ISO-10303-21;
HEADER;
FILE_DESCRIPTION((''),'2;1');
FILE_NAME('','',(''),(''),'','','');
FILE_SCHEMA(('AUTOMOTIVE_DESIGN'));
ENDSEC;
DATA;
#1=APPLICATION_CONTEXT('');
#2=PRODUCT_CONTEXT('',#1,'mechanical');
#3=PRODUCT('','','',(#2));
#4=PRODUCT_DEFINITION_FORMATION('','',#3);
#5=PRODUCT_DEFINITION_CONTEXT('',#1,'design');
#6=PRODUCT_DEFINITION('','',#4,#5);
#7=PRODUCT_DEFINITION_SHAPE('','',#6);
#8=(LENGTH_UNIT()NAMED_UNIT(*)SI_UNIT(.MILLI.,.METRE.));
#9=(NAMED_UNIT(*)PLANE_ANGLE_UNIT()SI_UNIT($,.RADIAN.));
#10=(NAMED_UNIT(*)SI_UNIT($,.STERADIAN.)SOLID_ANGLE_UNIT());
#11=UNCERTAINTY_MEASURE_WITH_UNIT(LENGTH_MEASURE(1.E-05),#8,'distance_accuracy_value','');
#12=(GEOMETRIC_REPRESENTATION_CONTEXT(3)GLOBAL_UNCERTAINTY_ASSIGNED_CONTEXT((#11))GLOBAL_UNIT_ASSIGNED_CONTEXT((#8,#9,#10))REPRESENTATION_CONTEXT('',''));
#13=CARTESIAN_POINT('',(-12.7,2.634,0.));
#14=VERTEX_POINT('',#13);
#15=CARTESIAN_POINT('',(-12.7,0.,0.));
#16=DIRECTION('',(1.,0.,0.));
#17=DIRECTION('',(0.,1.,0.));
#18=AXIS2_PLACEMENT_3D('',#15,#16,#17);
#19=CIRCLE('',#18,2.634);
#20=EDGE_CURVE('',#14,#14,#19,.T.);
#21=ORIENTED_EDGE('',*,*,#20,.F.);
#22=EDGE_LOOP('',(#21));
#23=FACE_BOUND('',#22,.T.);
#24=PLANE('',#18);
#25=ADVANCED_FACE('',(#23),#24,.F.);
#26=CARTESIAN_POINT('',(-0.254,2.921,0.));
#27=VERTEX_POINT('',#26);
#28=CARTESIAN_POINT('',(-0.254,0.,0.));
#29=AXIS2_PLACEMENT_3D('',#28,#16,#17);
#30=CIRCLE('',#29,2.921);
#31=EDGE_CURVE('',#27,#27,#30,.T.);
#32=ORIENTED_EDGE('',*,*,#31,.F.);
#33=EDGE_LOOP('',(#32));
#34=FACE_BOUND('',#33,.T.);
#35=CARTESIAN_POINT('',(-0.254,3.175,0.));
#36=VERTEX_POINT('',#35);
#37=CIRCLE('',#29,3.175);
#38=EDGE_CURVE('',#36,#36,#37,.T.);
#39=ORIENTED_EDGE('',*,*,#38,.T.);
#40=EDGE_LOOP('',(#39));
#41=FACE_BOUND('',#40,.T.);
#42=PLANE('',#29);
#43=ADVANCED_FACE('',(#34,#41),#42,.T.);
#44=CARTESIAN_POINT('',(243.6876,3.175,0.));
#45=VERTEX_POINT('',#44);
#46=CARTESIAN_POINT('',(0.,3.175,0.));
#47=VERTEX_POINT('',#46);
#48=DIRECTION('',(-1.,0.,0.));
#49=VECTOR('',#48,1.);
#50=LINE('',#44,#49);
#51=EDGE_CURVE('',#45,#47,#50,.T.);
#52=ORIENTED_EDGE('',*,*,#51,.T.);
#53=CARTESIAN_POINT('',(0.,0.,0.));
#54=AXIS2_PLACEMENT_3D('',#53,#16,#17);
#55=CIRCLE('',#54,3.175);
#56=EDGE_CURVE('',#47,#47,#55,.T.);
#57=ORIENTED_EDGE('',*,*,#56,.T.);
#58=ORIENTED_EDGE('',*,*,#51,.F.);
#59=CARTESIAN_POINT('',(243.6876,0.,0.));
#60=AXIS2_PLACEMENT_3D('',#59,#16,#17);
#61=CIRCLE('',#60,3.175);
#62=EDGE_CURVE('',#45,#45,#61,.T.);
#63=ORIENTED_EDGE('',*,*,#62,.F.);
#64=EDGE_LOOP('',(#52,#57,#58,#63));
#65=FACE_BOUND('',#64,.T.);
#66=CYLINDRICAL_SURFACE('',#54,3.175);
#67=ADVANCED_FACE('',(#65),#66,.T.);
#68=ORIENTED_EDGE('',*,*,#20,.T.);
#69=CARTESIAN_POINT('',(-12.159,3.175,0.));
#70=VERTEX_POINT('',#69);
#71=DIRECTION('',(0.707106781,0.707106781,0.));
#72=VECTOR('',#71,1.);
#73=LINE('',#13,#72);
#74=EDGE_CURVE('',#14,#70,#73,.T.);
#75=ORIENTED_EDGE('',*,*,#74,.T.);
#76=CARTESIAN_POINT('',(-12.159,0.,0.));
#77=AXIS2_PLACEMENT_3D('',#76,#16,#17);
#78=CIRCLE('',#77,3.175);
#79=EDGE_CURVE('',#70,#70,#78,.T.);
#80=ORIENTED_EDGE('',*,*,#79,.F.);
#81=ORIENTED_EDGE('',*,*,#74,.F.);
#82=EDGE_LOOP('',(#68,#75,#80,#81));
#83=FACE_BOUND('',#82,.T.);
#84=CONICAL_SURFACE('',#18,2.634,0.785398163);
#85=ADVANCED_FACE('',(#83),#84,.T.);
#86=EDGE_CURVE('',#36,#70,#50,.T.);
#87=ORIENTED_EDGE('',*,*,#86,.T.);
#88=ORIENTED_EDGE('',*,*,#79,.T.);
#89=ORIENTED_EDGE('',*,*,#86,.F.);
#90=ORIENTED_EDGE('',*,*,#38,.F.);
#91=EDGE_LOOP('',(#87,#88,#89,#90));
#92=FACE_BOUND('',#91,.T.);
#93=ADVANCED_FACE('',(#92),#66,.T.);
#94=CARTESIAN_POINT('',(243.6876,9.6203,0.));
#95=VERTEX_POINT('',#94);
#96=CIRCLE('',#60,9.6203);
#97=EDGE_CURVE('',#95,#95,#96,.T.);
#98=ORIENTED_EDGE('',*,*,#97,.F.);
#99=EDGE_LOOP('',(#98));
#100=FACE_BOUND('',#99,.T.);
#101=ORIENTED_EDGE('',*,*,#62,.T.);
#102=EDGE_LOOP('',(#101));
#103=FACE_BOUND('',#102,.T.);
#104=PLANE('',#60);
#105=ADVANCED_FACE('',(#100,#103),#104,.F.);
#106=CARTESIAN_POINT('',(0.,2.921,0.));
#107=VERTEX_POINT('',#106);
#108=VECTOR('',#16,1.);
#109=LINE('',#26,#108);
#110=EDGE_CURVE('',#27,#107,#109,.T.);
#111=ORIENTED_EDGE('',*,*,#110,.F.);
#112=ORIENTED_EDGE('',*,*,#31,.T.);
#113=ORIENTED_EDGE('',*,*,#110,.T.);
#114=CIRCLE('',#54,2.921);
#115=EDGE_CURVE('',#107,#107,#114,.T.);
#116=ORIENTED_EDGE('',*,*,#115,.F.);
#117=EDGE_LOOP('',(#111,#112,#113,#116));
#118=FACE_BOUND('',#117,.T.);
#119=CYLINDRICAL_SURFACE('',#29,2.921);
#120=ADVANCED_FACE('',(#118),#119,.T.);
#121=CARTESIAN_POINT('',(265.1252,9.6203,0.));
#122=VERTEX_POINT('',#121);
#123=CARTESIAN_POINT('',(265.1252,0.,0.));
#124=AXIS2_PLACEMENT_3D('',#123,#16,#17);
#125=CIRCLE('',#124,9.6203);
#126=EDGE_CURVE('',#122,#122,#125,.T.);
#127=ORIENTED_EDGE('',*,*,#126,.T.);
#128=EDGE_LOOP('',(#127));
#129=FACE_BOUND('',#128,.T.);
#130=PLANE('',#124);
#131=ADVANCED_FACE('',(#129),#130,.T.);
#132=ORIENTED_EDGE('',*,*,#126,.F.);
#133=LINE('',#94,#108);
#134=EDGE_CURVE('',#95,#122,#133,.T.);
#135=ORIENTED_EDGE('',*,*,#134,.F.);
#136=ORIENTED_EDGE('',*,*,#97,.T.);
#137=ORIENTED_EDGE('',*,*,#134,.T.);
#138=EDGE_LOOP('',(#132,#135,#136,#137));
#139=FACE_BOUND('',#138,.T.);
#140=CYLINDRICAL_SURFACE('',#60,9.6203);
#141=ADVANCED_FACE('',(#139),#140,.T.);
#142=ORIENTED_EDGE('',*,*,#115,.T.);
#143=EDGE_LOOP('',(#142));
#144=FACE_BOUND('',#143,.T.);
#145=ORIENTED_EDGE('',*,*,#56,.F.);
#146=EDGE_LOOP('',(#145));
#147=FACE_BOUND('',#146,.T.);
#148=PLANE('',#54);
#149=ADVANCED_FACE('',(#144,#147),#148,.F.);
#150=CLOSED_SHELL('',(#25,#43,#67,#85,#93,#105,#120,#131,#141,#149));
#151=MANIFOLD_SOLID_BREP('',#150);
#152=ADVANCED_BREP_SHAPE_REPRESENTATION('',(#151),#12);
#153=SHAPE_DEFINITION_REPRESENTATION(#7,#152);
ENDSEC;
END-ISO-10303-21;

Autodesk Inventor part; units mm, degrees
sketch "Sketch_1" plane through (0, 0, 0) normal (0, 0, 1) x (1, 0, 0)
  line L0 (265.1252, 0) -> (0, 0)
  line L1 (0, 0) -> (0, 3.175)
  line L2 (0, 3.175) -> (243.6876, 3.175)
  line L3 (243.6876, 3.175) -> (243.6876, 9.6203)
  line L4 (243.6876, 9.6203) -> (265.1252, 9.6203)
  line L5 (265.1252, 9.6203) -> (265.1252, 0)
  line L6 (265.1252, 0) -> (0, 0)
revolve "Revolution1" add sketch "Sketch_1" angle 360 about axis through (265.1252, 0, 0) along (1, 0, 0)
sketch "Sketch_3" plane through (0, 0, 0) normal (0, 0, 1) x (1, 0, 0)
  line L0 (0, 0) -> (-12.7, 0)
  line L1 (-12.7, 0) -> (-12.7, 2.634)
  line L2 (-12.7, 2.634) -> (-12.159, 3.175)
  line L3 (-12.159, 3.175) -> (0, 3.175)
  line L4 (0, 3.175) -> (0, 0)
  line L5 (0, 0) -> (-12.7, 0)
revolve "Revolution2" add sketch "Sketch_3" angle 360 about axis through (0, 0, 0) along (1, 0, 0)
thread "Thread1" size "1/4-28 UNF" class "2A" standard "ANSI Unified Screw Threads" length 12.159
sketch "Sketch_30" plane through (0, 0, 0) normal (0, 0, 1) x (1, 0, 0)
  line L0 (0, 0) -> (-0.254, 0)
  line L1 (-0.254, 2.921) -> (0, 2.921)
  line L2 (0, 2.921) -> (0, 3.429)
  line L3 (0, 3.429) -> (-0.254, 3.429)
  line L4 (-0.254, 3.429) -> (-0.254, 2.921)
revolve "Revolution3" cut sketch "Sketch_30" angle 360 about axis through (0, 0, 0) along (1, 0, 0)
ref_plane "dia1_XY" through (0, 3.175, 0) normal (1, 0, 0) x (0, 0, -1)
ref_plane "dia1_YZ" through (0, 3.175, 0) normal (0, 0, -1) x (0, 1, 0)
ref_plane "dia1_ZX" through (0, 3.175, 0) normal (0, 1, 0) x (1, 0, 0)
ref_plane "dia12_XY" through (0, 0, 10.9537) normal (1, 0, 0) x (0, 0, -1)
ref_plane "dia12_YZ" through (0, 0, 10.9537) normal (0, 0, -1) x (0, 1, 0)
ref_plane "dia12_ZX" through (0, 0, 10.9537) normal (0, 1, 0) x (1, 0, 0)
ref_plane "dia2_XY" through (0, -3.175, 0) normal (1, 0, 0) x (0, 0, -1)
ref_plane "dia2_YZ" through (0, -3.175, 0) normal (0, 0, -1) x (0, 1, 0)
ref_plane "dia2_ZX" through (0, -3.175, 0) normal (0, 1, 0) x (1, 0, 0)
ref_plane "dia22_XY" through (0, 0, -10.9537) normal (1, 0, 0) x (0, 0, -1)
ref_plane "dia22_YZ" through (0, 0, -10.9537) normal (0, 0, -1) x (0, 1, 0)
ref_plane "dia22_ZX" through (0, 0, -10.9537) normal (0, 1, 0) x (1, 0, 0)
ref_plane "rl1_XY" through (-12.7, 0, 0) normal (1, 0, 0) x (0, 0, -1)
ref_plane "rl1_YZ" through (-12.7, 0, 0) normal (0, 0, -1) x (0, 1, 0)
ref_plane "rl1_ZX" through (-12.7, 0, 0) normal (0, 1, 0) x (1, 0, 0)
ref_plane "rl2_XY" through (0, 0, 0) normal (1, 0, 0) x (0, 0, -1)
ref_plane "rl2_YZ" through (0, 0, 0) normal (0, 0, -1) x (0, 1, 0)
ref_plane "rl2_ZX" through (0, 0, 0) normal (0, 1, 0) x (1, 0, 0)
ref_plane "rod_cp_XY" through (0, 0, 0) normal (1, 0, 0) x (0, 0, -1)
ref_plane "rod_cp_YZ" through (0, 0, 0) normal (0, 0, -1) x (0, 1, 0)
ref_plane "rod_cp_ZX" through (0, 0, 0) normal (0, 1, 0) x (1, 0, 0)
ref_plane "thd1_XY" through (-12.7, 3.175, 0) normal (1, 0, 0) x (0, 0, -1)
ref_plane "thd1_YZ" through (-12.7, 3.175, 0) normal (0, 0, -1) x (0, 1, 0)
ref_plane "thd1_ZX" through (-12.7, 3.175, 0) normal (0, 1, 0) x (1, 0, 0)
ref_plane "thd2_XY" through (-12.7, -3.175, 0) normal (1, 0, 0) x (0, 0, -1)
ref_plane "thd2_YZ" through (-12.7, -3.175, 0) normal (0, 0, -1) x (0, 1, 0)
ref_plane "thd2_ZX" through (-12.7, -3.175, 0) normal (0, 1, 0) x (1, 0, 0)
ref_plane "to_rod_clevis_XY" through (-16.764, 0, 0) normal (1, 0, 0) x (0, 0, -1)
ref_plane "to_rod_clevis_YZ" through (-16.764, 0, 0) normal (0, 0, -1) x (0, 1, 0)
ref_plane "to_rod_clevis_ZX" through (-16.764, 0, 0) normal (0, 1, 0) x (1, 0, 0)
properties part number "C-048-DP0000_rod"
